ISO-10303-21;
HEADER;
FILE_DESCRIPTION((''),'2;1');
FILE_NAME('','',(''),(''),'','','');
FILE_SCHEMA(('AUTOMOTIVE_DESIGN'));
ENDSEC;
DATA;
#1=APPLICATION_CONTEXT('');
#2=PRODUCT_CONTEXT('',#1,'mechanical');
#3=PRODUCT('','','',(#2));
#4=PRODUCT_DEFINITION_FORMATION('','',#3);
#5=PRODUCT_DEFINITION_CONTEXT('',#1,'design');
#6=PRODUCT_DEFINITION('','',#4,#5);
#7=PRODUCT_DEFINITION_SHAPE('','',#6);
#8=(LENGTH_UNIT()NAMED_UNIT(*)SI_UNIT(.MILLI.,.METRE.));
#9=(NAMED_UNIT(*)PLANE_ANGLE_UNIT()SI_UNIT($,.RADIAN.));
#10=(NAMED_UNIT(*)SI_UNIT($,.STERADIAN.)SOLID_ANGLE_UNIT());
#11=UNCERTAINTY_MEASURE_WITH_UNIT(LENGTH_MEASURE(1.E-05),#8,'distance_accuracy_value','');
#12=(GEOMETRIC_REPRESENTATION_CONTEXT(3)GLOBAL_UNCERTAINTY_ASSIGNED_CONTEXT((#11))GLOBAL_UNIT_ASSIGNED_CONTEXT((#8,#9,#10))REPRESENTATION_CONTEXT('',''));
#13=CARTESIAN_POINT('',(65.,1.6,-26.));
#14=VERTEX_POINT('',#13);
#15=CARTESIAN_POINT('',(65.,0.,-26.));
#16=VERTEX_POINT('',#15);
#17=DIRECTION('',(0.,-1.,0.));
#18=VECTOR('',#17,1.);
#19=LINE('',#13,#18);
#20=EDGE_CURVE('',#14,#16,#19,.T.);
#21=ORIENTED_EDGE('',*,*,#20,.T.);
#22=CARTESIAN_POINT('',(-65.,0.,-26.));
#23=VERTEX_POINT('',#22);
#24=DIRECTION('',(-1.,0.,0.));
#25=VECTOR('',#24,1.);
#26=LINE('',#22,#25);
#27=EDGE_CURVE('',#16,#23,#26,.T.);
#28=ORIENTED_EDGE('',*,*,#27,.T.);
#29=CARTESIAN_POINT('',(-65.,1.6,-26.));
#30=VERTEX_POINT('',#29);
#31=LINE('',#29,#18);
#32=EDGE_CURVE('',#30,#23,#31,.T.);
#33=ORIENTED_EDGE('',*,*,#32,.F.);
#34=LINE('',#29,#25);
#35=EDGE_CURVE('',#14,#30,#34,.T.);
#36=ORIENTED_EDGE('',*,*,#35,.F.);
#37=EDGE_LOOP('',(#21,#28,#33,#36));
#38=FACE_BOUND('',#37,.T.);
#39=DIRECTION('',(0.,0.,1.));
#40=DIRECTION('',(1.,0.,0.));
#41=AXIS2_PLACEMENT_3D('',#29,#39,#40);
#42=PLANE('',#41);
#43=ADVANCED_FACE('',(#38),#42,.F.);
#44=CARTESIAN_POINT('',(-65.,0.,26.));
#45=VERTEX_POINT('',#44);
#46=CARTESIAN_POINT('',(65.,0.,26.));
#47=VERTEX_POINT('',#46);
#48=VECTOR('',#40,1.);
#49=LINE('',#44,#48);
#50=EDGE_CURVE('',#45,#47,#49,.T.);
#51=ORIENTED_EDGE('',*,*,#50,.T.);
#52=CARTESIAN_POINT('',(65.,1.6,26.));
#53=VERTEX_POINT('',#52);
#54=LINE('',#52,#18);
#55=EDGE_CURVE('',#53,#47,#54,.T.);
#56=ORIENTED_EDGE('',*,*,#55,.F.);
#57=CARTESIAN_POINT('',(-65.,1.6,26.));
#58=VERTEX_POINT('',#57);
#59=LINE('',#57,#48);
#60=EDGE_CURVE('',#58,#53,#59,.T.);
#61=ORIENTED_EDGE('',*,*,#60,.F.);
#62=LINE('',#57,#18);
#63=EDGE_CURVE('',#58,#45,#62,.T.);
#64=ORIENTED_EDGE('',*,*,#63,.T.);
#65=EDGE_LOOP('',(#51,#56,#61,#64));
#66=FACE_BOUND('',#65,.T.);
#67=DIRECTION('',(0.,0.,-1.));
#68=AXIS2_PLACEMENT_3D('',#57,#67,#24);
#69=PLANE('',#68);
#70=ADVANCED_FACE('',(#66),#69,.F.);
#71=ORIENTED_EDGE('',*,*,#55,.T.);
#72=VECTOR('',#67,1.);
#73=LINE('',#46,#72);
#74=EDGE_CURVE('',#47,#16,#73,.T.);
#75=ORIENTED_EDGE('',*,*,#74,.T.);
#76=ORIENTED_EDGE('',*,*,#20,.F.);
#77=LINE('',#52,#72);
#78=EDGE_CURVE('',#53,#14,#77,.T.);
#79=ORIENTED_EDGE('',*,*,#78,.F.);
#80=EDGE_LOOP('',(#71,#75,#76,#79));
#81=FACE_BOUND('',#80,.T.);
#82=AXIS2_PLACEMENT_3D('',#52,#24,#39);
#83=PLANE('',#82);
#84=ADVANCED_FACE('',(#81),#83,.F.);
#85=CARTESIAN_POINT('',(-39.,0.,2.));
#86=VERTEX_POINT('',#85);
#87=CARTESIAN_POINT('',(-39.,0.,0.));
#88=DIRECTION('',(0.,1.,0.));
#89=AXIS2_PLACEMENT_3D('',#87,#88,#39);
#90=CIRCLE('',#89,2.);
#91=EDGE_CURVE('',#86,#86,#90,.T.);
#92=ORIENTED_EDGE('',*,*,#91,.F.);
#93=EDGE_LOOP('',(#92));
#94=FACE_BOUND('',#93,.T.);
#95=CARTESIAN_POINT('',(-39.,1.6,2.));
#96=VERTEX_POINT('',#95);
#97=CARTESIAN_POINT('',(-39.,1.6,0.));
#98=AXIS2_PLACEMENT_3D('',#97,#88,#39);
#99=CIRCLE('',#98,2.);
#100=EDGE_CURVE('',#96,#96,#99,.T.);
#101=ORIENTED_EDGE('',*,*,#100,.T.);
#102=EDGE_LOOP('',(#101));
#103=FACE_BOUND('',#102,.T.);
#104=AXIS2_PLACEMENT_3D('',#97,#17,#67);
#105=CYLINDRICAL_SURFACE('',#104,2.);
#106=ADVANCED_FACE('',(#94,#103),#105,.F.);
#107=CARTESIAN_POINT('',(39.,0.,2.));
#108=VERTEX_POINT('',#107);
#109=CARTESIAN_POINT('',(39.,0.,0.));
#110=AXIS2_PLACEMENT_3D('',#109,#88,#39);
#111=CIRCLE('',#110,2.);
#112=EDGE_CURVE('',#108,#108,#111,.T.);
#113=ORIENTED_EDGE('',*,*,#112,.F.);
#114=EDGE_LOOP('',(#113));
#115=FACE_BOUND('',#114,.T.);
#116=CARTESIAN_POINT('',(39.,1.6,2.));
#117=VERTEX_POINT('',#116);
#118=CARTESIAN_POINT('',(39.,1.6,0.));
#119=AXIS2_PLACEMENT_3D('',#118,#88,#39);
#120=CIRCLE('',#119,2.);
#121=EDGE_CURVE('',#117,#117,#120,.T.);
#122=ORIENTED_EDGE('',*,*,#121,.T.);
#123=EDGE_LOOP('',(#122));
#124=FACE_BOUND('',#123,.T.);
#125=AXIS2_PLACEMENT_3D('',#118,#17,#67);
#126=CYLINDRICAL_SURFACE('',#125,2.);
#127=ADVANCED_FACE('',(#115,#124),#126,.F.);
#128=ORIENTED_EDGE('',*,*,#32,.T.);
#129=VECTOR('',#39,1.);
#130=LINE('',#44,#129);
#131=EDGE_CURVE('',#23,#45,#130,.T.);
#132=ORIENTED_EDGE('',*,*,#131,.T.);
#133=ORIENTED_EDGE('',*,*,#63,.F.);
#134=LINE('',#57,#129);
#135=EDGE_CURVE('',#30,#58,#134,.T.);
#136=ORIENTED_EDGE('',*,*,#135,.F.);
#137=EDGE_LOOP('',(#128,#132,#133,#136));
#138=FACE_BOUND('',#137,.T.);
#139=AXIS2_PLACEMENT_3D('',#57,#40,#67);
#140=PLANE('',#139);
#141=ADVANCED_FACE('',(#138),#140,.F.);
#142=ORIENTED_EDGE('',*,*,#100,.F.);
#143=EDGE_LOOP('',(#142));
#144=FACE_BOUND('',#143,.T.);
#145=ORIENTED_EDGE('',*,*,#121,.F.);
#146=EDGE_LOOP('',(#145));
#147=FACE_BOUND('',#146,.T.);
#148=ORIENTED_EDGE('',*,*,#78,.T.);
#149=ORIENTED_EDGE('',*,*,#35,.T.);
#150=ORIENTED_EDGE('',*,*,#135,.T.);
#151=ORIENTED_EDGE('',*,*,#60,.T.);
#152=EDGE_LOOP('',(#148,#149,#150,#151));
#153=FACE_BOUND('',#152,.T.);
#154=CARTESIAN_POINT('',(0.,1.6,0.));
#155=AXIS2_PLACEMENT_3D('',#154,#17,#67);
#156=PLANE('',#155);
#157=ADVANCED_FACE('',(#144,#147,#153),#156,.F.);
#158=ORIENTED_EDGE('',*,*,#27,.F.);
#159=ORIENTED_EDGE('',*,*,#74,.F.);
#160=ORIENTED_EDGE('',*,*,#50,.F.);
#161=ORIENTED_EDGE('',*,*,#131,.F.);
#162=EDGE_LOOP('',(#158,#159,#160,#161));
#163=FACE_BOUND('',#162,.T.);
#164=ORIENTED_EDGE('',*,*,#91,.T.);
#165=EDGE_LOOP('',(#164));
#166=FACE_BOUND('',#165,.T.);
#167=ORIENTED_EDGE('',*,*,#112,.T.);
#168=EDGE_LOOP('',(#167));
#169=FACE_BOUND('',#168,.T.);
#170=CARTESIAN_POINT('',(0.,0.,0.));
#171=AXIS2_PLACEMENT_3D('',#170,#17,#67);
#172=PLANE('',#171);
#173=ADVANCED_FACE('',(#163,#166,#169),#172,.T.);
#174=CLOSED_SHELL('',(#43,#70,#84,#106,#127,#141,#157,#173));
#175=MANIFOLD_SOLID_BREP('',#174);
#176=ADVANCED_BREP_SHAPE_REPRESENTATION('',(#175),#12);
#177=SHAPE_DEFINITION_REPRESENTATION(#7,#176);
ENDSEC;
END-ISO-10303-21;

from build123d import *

# Parameters (mm, degrees)
SKETCH1_W           = 130
SKETCH1_H           = 52
SKETCH1_R           = 2
BOSS_EXTRUDE1_DEPTH = 1.6


with BuildPart() as part:
    # Sketch1 → Boss-Extrude1 (new body)
    with BuildSketch(Plane(origin=(0, 0, 0), x_dir=(1, 0, 0), z_dir=(0, 1, 0))):
        Rectangle(SKETCH1_W, SKETCH1_H)
        with Locations(Location((39, 0, 0), (0, 0, 270))):
            Circle(SKETCH1_R, mode=Mode.SUBTRACT)
        with Locations(Location((-39, 0, 0), (0, 0, 270))):
            Circle(SKETCH1_R, mode=Mode.SUBTRACT)
    extrude(amount=BOSS_EXTRUDE1_DEPTH)


solid = part.part
